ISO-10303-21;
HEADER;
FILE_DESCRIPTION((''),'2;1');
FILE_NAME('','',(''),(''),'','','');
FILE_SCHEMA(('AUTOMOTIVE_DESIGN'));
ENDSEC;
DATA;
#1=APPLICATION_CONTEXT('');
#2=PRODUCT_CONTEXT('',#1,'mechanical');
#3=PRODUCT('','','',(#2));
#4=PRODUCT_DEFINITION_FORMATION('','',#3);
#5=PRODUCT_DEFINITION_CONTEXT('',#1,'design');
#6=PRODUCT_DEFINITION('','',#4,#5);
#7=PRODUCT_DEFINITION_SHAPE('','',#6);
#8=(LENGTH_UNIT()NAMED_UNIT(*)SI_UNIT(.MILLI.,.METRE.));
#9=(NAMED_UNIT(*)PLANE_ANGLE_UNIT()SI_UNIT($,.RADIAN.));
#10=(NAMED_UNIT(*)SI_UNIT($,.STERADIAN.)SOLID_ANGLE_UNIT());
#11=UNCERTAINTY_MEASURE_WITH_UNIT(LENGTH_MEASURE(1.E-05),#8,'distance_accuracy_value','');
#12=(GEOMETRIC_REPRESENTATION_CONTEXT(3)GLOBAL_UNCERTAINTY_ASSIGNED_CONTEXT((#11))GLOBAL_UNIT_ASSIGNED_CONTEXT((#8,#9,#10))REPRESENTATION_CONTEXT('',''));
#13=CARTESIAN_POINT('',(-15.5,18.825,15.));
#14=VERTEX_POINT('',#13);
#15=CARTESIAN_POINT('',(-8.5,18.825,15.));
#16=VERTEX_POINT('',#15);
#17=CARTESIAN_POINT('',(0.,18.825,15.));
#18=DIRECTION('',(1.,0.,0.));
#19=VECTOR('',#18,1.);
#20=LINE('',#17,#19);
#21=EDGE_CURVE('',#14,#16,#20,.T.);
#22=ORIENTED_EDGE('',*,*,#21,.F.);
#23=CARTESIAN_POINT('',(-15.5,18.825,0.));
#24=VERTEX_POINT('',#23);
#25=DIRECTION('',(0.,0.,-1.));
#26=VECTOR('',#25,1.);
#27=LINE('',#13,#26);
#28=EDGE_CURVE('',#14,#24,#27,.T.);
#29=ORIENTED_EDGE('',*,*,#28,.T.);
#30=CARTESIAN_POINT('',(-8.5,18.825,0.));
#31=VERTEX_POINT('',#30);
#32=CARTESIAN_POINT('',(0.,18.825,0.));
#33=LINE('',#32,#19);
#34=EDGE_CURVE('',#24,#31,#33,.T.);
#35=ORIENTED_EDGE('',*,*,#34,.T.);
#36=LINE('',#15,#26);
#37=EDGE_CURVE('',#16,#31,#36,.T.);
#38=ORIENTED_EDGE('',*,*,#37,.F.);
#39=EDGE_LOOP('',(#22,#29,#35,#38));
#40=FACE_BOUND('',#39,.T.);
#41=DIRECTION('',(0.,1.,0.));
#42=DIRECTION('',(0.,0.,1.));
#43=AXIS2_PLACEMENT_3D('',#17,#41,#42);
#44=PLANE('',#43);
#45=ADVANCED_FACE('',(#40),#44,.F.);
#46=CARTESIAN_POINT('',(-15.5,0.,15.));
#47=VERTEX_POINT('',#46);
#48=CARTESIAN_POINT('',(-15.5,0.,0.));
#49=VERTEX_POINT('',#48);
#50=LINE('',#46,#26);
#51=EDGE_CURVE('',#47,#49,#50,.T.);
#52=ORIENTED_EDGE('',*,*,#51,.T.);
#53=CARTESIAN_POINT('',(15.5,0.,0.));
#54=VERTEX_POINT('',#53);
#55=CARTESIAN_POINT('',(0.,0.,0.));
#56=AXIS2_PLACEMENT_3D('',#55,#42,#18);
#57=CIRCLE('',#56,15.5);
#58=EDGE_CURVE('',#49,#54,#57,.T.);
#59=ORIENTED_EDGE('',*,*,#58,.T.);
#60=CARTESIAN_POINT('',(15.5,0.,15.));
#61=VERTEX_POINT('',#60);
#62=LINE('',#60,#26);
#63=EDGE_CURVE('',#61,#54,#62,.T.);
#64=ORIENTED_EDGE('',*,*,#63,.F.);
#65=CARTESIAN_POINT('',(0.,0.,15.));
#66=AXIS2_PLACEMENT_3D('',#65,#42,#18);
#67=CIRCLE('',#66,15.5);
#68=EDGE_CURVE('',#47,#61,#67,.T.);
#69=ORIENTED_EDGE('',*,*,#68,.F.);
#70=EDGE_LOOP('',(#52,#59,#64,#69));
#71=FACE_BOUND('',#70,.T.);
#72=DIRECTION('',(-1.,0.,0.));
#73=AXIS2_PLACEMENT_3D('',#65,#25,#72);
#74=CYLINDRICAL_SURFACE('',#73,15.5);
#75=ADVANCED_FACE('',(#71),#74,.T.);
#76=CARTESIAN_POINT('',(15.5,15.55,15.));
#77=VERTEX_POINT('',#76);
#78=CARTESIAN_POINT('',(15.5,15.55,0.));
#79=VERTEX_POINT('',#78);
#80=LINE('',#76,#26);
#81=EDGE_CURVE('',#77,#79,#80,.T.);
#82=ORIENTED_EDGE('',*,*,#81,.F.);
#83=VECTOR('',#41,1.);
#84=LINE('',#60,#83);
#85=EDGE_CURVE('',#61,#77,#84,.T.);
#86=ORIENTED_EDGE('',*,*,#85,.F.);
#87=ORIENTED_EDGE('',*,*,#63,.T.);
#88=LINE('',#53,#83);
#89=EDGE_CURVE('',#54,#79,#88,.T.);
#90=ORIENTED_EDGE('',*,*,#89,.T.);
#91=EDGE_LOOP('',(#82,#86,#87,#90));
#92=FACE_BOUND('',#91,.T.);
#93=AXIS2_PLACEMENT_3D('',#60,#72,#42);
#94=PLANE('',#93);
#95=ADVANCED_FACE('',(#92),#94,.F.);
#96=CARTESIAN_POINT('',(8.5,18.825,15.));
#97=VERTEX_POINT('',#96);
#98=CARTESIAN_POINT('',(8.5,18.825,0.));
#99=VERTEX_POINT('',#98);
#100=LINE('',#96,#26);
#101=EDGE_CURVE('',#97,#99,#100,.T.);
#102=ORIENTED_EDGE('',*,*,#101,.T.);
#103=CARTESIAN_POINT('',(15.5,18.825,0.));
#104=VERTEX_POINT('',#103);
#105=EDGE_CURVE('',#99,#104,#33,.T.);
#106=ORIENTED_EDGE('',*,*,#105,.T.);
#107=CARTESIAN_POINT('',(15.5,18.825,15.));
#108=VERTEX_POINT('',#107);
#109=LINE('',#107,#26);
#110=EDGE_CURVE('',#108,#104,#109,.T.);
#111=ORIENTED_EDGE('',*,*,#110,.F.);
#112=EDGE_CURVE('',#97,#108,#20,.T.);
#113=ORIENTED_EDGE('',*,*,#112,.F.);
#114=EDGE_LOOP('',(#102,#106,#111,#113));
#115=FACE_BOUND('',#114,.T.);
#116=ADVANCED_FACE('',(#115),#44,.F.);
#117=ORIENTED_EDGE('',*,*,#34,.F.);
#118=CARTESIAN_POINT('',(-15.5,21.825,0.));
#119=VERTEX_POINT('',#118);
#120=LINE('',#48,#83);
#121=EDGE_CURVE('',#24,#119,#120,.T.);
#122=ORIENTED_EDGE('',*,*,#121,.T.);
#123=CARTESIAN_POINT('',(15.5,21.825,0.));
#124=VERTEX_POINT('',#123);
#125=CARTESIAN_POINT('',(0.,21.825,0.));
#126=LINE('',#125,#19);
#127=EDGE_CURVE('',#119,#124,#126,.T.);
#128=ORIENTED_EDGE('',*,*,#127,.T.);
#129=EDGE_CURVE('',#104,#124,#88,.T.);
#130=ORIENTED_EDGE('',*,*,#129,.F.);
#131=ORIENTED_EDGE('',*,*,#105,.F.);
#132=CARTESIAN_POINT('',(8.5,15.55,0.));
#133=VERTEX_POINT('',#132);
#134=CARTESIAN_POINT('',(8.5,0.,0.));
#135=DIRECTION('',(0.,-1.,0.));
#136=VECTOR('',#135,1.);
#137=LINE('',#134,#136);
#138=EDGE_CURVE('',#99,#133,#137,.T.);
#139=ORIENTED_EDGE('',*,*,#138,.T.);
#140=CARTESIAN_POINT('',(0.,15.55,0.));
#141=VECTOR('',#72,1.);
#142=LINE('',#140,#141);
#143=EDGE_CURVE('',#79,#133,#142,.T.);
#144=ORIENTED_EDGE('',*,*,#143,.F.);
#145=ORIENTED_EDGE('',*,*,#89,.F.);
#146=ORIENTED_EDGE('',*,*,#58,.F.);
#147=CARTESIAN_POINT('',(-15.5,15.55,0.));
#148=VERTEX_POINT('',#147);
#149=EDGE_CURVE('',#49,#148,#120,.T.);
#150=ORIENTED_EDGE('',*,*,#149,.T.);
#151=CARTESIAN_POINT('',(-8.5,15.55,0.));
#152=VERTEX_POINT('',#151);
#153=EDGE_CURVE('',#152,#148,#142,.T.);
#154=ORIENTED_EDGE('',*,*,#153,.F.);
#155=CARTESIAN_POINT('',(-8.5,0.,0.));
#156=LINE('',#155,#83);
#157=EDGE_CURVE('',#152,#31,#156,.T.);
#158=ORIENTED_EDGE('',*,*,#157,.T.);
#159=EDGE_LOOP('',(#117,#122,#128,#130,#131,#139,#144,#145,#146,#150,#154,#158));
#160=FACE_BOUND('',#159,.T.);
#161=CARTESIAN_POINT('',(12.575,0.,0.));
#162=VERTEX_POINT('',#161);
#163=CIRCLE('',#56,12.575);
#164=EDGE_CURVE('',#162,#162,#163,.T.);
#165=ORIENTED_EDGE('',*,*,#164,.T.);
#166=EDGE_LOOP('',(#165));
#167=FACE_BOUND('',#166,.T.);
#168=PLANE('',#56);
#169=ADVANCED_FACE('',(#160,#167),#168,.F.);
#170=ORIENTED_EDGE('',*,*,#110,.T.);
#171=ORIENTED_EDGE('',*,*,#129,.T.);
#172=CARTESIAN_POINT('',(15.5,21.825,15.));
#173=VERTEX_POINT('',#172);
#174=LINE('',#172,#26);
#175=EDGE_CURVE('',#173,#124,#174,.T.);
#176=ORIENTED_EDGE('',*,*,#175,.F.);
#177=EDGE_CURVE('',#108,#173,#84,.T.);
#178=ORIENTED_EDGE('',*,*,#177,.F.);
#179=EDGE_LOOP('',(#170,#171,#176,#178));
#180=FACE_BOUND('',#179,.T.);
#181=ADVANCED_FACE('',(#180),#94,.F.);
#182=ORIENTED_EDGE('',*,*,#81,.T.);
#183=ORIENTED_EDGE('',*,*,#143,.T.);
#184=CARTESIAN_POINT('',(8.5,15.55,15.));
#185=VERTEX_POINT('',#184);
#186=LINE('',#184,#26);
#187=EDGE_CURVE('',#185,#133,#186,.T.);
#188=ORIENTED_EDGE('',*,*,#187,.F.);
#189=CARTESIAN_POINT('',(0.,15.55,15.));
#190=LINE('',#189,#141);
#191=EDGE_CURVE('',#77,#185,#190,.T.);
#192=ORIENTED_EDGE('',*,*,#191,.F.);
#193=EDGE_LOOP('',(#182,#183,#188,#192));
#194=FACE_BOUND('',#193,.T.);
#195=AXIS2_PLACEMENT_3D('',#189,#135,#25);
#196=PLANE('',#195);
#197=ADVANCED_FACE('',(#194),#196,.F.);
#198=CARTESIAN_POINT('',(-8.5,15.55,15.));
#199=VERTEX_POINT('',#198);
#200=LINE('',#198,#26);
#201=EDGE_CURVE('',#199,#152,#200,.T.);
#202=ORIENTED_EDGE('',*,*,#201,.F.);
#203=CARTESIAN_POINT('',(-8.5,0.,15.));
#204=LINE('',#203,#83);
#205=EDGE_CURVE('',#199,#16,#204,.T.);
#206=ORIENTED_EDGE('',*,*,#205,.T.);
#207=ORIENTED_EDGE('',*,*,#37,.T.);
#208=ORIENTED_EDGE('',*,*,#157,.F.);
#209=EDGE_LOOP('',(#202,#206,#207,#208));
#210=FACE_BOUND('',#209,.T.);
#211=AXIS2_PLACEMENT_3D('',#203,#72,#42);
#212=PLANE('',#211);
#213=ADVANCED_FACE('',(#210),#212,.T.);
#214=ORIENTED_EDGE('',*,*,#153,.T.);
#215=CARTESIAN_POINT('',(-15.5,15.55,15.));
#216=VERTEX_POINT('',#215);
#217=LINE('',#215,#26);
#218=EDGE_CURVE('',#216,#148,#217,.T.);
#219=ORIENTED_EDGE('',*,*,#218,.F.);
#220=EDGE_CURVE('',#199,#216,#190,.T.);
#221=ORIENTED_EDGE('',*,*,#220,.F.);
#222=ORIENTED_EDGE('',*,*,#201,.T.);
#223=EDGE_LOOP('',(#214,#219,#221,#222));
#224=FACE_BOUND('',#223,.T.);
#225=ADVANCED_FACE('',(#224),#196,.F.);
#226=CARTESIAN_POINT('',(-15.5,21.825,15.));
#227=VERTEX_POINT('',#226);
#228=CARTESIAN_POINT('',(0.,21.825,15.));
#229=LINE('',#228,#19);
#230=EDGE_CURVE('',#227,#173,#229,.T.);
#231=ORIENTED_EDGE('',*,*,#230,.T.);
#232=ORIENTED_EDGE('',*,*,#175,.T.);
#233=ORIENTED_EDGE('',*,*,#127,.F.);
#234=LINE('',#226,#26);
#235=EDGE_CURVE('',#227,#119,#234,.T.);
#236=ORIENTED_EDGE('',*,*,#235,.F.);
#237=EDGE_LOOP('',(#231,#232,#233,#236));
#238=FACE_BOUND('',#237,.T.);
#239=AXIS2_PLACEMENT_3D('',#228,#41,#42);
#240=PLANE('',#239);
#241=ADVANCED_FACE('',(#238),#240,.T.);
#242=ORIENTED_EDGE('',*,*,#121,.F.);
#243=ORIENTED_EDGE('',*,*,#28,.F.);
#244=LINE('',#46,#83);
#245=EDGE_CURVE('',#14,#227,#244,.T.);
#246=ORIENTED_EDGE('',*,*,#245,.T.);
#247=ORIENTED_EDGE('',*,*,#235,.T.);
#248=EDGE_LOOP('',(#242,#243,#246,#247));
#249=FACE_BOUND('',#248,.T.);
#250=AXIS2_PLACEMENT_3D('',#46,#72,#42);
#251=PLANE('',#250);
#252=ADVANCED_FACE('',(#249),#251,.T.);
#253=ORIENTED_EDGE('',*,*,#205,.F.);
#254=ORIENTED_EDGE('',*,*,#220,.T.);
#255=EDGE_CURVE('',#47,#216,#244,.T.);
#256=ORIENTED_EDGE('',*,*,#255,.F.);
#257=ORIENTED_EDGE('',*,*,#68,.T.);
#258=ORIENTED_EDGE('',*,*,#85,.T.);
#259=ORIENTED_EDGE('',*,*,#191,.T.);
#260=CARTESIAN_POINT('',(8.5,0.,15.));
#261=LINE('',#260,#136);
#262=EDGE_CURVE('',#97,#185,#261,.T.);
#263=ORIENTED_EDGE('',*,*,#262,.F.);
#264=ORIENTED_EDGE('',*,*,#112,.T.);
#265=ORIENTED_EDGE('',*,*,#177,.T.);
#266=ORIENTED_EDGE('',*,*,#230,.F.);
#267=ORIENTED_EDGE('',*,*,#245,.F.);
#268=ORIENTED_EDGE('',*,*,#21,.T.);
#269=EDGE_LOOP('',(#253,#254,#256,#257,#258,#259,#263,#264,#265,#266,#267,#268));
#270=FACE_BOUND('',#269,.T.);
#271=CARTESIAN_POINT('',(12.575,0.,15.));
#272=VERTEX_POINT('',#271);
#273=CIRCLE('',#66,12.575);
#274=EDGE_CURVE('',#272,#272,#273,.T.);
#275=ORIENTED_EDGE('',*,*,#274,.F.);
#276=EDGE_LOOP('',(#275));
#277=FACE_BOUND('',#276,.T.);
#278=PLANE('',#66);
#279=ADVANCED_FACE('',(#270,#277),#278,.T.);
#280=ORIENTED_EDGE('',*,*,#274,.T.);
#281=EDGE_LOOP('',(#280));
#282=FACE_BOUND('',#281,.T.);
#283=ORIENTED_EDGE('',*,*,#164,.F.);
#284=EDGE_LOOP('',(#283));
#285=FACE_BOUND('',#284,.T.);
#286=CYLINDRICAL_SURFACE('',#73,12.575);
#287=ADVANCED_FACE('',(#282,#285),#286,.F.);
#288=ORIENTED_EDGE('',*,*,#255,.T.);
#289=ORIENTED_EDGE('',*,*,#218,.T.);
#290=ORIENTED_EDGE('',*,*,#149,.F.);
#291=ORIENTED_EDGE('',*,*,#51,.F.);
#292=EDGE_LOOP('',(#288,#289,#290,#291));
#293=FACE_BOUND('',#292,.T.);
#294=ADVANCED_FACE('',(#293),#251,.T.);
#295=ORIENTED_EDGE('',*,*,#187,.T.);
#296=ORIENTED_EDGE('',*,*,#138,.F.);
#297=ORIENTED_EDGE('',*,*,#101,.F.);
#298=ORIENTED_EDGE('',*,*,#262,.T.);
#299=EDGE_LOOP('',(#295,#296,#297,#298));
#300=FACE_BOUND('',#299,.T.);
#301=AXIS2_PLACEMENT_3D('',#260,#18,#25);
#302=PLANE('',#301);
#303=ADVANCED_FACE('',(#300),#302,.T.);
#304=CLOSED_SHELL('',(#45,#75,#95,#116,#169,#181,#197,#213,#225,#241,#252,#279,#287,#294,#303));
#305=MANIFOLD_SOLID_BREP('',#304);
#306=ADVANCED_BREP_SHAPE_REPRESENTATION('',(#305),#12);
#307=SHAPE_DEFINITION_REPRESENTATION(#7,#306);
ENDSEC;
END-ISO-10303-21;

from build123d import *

# Parameters (mm, degrees)
SKETCH1_W           = 7
SKETCH1_H           = 3
SKETCH1_W_2         = 17
SKETCH1_H_2         = 3.275
BOSS_EXTRUDE1_DEPTH = 15


with BuildPart() as part:
    # Sketch1 → Boss-Extrude1 (new body)
    with BuildSketch(Plane.XY):
        with Locations((12, 20.325)):
            Rectangle(SKETCH1_W, SKETCH1_H)
        with Locations((0, 20.325)):
            Rectangle(SKETCH1_W_2, SKETCH1_H)
        with Locations((-12, 20.325)):
            Rectangle(SKETCH1_W, SKETCH1_H)
        with Locations((0, 17.1875)):
            Rectangle(SKETCH1_W_2, SKETCH1_H_2)
        with BuildLine():
            ThreePointArc((-15.5, 0), (0, 15.5), (15.5, 0))
            Line((15.5, 0), (15.5, 15.55))
            Line((15.5, 15.55), (8.5, 15.55))
            Line((8.5, 15.55), (-8.5, 15.55))
            Line((-8.5, 15.55), (-15.5, 15.55))
            Line((-15.5, 15.55), (-15.5, 0))
        make_face()
        with BuildLine():
            ThreePointArc((-12.575, 0), (0, 12.575), (12.575, 0))
            Line((12.575, 0), (15.5, 0))
            ThreePointArc((15.5, 0), (0, 15.5), (-15.5, 0))
            Line((-15.5, 0), (-12.575, 0))
        make_face()
        with BuildLine():
            Line((15.5, 0), (12.575, 0))
            ThreePointArc((12.575, 0), (0, -12.575), (-12.575, 0))
            Line((-12.575, 0), (-15.5, 0))
            ThreePointArc((-15.5, 0), (0, -15.5), (15.5, 0))
        make_face()
    extrude(amount=BOSS_EXTRUDE1_DEPTH)


solid = part.part
